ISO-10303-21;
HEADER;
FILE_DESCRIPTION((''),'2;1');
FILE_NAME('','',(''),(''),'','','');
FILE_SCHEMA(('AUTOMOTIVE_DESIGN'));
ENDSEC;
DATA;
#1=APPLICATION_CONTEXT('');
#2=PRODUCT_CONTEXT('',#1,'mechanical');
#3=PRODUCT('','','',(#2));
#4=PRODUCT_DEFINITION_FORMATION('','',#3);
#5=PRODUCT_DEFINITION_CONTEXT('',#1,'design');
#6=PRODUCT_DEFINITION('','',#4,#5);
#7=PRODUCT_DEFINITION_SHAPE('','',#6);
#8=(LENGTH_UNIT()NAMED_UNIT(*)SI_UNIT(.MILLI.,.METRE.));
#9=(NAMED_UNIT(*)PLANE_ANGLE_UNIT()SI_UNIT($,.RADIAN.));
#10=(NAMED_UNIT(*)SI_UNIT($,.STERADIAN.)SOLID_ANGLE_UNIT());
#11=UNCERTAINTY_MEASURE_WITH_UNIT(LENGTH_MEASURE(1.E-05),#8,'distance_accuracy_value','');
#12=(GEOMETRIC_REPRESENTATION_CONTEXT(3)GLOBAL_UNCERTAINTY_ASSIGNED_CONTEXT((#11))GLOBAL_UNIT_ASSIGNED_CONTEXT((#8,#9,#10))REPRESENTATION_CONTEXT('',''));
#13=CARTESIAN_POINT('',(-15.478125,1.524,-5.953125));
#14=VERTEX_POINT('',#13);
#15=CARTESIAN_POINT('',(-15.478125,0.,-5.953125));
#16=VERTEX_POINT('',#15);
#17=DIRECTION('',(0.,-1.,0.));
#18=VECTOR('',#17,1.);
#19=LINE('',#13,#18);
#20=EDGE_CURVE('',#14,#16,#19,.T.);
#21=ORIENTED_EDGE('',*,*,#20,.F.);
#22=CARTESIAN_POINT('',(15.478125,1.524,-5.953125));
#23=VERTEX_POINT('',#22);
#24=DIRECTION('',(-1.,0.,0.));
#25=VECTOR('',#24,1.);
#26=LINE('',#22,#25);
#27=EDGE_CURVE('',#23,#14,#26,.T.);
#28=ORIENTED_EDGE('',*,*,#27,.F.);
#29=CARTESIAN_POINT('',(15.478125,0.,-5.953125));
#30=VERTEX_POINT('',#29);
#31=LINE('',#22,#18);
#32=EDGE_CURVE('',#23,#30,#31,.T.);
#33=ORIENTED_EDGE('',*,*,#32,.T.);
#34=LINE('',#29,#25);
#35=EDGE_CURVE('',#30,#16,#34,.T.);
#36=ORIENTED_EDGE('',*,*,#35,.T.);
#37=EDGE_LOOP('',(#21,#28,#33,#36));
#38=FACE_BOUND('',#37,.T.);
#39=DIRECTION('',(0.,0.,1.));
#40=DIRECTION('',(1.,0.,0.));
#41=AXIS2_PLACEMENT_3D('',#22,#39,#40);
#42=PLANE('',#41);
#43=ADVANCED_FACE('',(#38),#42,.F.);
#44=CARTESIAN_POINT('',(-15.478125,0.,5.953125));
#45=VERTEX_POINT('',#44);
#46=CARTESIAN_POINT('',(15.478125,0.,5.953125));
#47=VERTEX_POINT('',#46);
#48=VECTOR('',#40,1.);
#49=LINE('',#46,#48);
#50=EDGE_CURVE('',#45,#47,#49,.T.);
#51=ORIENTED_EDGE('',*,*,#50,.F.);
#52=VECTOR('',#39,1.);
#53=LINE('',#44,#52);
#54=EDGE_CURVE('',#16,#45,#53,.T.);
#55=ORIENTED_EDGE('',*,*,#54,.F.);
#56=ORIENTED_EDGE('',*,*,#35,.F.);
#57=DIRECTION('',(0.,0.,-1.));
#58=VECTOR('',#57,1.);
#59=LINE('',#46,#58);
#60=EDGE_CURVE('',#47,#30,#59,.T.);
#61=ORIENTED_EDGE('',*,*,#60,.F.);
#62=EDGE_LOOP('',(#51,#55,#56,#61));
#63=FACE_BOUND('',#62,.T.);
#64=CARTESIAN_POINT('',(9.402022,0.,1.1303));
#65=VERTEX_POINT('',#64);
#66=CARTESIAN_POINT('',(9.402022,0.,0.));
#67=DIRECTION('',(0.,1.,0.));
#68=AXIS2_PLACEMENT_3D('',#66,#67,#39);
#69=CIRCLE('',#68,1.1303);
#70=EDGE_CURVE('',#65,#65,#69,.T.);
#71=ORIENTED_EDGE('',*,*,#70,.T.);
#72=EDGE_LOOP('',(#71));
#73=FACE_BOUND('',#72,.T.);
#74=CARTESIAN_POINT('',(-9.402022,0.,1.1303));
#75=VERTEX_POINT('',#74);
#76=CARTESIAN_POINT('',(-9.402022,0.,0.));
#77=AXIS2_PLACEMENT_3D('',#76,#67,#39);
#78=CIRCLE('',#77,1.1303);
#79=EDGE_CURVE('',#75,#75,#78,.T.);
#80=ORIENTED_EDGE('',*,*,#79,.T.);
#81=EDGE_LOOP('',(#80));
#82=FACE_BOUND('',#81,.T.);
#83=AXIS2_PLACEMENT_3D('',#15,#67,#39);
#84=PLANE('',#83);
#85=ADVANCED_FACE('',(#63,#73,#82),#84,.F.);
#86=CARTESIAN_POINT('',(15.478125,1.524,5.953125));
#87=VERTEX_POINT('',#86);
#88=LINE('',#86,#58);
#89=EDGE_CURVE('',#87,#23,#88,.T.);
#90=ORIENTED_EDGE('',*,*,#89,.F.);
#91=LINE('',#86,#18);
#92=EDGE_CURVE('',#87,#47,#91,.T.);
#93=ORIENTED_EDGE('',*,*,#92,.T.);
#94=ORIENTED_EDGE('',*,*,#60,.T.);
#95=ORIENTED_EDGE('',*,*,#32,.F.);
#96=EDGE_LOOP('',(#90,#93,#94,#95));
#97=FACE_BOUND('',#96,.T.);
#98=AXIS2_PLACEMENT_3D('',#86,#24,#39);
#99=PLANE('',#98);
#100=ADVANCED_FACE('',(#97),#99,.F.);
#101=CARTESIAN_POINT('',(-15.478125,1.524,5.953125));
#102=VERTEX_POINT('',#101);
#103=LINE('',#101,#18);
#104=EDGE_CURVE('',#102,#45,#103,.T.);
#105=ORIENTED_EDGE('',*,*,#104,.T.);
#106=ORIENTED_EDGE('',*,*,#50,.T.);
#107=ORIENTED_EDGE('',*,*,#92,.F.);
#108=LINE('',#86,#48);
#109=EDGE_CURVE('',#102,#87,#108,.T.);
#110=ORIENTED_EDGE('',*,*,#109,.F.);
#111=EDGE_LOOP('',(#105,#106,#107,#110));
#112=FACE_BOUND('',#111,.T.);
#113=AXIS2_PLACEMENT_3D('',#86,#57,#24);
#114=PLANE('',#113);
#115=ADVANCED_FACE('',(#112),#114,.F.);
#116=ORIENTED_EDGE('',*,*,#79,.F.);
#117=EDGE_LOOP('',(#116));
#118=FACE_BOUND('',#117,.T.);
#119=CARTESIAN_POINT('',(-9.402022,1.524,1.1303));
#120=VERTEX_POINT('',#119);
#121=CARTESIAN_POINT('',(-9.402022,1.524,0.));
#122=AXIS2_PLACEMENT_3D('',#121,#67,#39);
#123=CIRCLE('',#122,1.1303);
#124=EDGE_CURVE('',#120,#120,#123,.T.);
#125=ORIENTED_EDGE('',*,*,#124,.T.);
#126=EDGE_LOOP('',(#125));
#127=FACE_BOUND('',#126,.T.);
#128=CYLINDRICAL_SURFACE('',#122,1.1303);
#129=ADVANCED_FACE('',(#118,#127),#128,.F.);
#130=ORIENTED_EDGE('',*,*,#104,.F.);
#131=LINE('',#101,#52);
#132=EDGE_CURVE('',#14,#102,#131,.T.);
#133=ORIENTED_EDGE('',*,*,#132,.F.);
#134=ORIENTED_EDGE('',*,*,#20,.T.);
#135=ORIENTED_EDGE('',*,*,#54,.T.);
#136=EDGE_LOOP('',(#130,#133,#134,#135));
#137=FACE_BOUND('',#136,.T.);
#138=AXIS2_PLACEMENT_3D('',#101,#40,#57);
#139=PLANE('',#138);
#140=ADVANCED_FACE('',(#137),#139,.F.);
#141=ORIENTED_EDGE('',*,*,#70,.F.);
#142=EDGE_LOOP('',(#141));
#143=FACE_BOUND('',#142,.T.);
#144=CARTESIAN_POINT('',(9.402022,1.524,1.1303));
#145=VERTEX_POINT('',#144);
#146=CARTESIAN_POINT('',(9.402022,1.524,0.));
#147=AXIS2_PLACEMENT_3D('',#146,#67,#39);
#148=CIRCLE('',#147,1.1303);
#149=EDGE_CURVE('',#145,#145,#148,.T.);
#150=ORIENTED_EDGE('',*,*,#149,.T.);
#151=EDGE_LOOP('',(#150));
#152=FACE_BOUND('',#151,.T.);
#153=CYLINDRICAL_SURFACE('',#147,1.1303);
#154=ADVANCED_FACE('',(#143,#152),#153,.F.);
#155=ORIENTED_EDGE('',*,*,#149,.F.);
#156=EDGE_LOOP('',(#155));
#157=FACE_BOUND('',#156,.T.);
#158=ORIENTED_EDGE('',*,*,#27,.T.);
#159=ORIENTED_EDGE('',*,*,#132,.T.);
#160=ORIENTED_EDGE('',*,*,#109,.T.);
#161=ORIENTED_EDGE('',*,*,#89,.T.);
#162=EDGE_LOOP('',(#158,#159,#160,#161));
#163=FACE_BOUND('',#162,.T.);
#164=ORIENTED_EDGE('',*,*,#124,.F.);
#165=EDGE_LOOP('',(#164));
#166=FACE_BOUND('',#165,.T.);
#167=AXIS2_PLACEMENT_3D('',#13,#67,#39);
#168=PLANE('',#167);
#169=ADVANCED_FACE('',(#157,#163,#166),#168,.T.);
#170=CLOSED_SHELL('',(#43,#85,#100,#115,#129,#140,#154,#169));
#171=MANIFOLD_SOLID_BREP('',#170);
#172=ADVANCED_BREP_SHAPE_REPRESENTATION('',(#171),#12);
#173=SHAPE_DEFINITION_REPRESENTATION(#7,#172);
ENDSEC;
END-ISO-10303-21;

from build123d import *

# Parameters (mm, degrees)
SKETCH1_W                 = 30.95625
SKETCH1_H                 = 11.90625
BOSS_EXTRUDE1_DEPTH       = 1.524
F_4_40_TAPPED_HOLE1_D     = 2.2606
F_4_40_TAPPED_HOLE1_DEPTH = 8.89
F_4_40_TAPPED_HOLE1_TIP   = 0.679152758


with BuildPart() as part:
    # Sketch1 → Boss-Extrude1 (new body)
    with BuildSketch(Plane(origin=(0, 0, 0), x_dir=(1, 0, 0), z_dir=(0, 1, 0))):
        Rectangle(SKETCH1_W, SKETCH1_H)
    extrude(amount=BOSS_EXTRUDE1_DEPTH)

    # #4-40 Tapped Hole1
    with Locations(Plane(origin=(0, 1.524, 0), x_dir=(-1, 0, 0), z_dir=(0, 1, 0))):
        with Locations((9.402022244, 0), (-9.402022244, 0)):
            Hole(F_4_40_TAPPED_HOLE1_D / 2, depth=F_4_40_TAPPED_HOLE1_DEPTH)
            with Locations((0, 0, -(F_4_40_TAPPED_HOLE1_DEPTH + F_4_40_TAPPED_HOLE1_TIP / 2))):  # 118° drill point
                Cone(0, F_4_40_TAPPED_HOLE1_D / 2, F_4_40_TAPPED_HOLE1_TIP, mode=Mode.SUBTRACT)


solid = part.part
